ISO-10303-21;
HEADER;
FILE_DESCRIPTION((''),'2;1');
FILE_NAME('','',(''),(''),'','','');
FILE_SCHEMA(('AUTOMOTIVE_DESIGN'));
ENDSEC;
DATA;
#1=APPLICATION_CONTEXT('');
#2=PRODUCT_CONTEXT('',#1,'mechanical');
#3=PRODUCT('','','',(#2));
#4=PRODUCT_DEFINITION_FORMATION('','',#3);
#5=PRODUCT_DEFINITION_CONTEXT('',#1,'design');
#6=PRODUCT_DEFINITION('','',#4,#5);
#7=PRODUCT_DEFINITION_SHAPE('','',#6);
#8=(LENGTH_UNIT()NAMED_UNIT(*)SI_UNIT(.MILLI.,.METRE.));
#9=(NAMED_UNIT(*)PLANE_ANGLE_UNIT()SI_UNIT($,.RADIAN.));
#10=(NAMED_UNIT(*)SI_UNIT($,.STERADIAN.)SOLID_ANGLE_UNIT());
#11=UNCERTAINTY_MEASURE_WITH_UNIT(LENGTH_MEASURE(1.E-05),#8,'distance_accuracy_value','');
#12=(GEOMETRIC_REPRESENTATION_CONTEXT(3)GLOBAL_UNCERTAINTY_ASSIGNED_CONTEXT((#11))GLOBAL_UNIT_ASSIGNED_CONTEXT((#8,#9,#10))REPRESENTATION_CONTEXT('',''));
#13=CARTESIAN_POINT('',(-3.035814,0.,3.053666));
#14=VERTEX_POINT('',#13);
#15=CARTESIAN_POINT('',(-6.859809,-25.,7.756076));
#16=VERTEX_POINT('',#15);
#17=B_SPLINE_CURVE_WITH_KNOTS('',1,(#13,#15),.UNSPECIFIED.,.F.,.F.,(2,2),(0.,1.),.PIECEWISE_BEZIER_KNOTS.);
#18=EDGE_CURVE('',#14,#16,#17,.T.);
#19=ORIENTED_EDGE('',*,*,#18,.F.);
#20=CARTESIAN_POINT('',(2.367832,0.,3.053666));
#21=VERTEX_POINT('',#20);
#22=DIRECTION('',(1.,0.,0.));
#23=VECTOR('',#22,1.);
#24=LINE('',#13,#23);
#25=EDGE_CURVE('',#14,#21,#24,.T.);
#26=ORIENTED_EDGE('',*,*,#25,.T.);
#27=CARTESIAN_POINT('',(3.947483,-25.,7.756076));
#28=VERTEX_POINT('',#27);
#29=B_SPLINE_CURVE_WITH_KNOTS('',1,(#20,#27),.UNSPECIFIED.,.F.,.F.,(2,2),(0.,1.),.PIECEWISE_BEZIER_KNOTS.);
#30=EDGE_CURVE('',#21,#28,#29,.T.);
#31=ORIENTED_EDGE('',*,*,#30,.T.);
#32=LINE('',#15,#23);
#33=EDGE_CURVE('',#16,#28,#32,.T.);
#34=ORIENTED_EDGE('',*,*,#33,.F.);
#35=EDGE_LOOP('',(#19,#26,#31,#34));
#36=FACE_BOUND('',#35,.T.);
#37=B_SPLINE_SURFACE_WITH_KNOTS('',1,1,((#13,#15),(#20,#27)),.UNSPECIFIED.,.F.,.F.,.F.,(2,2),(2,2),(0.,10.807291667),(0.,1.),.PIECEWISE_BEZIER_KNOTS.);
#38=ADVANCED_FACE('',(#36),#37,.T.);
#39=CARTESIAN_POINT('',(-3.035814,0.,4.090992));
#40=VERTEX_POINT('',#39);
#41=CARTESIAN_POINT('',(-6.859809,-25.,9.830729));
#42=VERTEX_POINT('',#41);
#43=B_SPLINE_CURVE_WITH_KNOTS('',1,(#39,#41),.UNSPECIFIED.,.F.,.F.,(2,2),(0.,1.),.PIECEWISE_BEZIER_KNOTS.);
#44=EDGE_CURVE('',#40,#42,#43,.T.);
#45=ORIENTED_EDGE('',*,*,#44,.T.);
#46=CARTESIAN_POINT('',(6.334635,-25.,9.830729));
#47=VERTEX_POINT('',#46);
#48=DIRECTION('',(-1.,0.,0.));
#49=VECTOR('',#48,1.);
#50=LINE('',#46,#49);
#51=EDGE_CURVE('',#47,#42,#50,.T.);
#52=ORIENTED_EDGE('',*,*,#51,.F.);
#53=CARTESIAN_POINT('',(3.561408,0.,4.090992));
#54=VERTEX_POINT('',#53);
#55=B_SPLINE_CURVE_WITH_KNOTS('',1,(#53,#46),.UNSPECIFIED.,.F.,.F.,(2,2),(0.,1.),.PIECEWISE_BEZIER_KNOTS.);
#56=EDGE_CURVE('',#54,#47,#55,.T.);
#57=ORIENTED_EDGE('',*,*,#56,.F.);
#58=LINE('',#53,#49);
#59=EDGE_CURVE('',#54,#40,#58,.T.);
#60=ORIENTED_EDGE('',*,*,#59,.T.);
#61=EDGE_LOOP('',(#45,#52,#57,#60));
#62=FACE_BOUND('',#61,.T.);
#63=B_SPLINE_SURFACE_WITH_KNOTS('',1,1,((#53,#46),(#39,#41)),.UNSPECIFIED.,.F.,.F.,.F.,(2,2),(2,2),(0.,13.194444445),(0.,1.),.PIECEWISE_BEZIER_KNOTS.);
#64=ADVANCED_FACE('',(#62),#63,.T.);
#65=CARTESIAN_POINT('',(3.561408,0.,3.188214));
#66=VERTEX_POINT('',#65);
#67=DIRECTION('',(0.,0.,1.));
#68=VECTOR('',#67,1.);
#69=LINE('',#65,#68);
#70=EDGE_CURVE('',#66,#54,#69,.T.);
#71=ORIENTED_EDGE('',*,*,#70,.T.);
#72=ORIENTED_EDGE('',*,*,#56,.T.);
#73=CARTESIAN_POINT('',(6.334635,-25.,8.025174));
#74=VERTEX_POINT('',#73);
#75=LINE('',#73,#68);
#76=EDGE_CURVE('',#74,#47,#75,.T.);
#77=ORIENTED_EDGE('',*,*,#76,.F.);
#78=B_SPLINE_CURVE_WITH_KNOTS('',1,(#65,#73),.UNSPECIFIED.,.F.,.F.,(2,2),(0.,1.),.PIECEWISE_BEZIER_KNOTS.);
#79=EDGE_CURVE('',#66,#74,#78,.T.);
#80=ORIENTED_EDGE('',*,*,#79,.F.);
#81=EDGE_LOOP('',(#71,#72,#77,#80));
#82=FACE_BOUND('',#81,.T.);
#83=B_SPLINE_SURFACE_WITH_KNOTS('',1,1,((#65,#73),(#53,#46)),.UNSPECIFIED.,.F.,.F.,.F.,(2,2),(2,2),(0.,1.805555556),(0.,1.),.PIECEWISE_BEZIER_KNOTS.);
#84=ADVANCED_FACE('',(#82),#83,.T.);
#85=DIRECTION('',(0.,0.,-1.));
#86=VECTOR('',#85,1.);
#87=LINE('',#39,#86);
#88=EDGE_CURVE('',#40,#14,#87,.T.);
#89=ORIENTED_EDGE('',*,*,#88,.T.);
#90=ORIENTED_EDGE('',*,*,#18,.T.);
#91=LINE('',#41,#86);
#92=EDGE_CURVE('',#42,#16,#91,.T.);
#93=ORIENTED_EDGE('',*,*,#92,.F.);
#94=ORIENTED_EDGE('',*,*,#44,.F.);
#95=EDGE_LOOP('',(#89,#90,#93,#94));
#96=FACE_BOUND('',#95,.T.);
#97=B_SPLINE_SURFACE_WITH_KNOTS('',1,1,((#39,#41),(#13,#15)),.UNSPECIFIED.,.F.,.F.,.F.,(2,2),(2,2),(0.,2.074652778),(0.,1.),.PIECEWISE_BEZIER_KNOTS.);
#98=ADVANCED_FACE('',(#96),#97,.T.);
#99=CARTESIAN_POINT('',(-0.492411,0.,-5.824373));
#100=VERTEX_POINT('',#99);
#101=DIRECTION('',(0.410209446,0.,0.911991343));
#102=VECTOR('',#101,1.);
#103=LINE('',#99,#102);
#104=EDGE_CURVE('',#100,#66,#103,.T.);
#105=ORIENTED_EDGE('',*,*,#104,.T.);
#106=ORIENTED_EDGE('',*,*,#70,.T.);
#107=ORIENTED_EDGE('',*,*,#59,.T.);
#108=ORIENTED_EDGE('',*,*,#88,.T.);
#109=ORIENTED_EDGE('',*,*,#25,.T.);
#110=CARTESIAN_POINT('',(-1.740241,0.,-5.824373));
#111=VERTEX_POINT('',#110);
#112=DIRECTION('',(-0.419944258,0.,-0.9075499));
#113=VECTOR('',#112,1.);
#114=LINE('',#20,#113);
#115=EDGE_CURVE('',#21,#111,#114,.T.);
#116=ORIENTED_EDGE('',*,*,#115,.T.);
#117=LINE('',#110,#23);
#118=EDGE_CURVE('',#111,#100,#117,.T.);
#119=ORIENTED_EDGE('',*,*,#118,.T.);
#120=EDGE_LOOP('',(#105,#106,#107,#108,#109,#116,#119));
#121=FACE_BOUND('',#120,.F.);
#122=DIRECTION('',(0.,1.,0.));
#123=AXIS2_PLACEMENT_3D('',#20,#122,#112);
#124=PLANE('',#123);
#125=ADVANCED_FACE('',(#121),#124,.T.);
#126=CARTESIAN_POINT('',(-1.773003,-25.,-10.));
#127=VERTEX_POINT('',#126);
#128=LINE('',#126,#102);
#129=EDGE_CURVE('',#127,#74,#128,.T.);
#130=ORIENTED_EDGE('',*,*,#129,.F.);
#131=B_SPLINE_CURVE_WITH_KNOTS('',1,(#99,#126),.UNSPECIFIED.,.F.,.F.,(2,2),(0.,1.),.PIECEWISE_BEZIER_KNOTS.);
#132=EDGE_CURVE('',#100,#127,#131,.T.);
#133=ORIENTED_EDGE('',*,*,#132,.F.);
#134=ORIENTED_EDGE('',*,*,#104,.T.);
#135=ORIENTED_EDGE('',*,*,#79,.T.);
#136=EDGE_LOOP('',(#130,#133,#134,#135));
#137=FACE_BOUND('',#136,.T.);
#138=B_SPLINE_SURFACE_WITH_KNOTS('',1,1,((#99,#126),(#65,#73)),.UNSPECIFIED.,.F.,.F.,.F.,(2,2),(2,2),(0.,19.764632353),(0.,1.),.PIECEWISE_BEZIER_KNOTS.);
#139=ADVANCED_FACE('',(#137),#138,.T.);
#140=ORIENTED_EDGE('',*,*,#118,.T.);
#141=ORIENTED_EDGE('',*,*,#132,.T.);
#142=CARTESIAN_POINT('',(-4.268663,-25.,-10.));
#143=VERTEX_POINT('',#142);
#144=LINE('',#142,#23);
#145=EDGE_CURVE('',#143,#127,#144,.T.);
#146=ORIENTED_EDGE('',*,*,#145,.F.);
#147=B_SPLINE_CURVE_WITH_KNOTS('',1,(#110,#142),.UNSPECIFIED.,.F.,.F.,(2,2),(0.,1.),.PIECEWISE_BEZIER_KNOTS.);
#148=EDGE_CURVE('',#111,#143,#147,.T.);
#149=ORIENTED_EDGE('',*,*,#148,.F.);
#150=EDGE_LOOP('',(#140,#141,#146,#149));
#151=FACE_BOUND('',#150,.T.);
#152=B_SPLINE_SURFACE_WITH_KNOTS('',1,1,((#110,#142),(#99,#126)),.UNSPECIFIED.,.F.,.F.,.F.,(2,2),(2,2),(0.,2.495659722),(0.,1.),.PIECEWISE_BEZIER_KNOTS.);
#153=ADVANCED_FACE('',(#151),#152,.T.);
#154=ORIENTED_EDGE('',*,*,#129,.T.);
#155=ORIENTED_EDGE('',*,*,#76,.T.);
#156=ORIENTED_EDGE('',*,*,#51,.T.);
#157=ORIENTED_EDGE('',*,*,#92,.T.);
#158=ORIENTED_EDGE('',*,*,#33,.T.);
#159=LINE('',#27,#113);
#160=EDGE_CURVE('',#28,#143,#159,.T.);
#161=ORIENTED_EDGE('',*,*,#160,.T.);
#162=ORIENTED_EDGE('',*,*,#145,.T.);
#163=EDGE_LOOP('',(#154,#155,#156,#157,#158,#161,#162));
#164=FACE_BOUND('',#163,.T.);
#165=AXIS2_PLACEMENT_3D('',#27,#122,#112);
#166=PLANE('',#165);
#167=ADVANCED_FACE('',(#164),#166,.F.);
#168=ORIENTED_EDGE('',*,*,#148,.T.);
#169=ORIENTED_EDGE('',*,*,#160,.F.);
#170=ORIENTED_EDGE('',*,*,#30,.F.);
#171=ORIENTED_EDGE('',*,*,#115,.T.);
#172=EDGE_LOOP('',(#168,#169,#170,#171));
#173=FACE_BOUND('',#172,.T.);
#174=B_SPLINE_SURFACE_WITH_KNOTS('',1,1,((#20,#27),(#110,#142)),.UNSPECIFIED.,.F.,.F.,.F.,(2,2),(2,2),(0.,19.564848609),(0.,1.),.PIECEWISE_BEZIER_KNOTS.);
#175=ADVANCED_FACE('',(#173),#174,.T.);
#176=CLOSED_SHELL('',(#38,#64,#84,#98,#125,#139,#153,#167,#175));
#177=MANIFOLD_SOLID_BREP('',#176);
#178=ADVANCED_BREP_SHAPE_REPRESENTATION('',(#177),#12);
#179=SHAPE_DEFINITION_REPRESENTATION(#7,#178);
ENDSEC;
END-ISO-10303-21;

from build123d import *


with BuildPart() as f3:
    # F0 (on Front) → F3 section 0
    with BuildSketch(Plane.XZ):
        Polygon((2.3678315957, 3.0536655475), (-1.7402413209, -5.8243726469), (-0.4924114598, -5.8243726469), (3.5614079846, 3.1882141586), (3.5614079846, 4.0909919364), (-3.0358142376, 4.0909919364), (-3.0358142376, 3.0536655475), align=None)
    # F2 (on offset) → F3 section 1
    with BuildSketch(Plane.XZ.offset(25)):
        Polygon((-4.2686631944, -10), (-1.7730034722, -10), (6.3346354167, 8.0251736111), (6.3346354167, 9.8307291667), (-6.8598090278, 9.8307291667), (-6.8598090278, 7.7560763889), (3.9474826389, 7.7560763889), align=None)
    loft()


solid = f3.part
